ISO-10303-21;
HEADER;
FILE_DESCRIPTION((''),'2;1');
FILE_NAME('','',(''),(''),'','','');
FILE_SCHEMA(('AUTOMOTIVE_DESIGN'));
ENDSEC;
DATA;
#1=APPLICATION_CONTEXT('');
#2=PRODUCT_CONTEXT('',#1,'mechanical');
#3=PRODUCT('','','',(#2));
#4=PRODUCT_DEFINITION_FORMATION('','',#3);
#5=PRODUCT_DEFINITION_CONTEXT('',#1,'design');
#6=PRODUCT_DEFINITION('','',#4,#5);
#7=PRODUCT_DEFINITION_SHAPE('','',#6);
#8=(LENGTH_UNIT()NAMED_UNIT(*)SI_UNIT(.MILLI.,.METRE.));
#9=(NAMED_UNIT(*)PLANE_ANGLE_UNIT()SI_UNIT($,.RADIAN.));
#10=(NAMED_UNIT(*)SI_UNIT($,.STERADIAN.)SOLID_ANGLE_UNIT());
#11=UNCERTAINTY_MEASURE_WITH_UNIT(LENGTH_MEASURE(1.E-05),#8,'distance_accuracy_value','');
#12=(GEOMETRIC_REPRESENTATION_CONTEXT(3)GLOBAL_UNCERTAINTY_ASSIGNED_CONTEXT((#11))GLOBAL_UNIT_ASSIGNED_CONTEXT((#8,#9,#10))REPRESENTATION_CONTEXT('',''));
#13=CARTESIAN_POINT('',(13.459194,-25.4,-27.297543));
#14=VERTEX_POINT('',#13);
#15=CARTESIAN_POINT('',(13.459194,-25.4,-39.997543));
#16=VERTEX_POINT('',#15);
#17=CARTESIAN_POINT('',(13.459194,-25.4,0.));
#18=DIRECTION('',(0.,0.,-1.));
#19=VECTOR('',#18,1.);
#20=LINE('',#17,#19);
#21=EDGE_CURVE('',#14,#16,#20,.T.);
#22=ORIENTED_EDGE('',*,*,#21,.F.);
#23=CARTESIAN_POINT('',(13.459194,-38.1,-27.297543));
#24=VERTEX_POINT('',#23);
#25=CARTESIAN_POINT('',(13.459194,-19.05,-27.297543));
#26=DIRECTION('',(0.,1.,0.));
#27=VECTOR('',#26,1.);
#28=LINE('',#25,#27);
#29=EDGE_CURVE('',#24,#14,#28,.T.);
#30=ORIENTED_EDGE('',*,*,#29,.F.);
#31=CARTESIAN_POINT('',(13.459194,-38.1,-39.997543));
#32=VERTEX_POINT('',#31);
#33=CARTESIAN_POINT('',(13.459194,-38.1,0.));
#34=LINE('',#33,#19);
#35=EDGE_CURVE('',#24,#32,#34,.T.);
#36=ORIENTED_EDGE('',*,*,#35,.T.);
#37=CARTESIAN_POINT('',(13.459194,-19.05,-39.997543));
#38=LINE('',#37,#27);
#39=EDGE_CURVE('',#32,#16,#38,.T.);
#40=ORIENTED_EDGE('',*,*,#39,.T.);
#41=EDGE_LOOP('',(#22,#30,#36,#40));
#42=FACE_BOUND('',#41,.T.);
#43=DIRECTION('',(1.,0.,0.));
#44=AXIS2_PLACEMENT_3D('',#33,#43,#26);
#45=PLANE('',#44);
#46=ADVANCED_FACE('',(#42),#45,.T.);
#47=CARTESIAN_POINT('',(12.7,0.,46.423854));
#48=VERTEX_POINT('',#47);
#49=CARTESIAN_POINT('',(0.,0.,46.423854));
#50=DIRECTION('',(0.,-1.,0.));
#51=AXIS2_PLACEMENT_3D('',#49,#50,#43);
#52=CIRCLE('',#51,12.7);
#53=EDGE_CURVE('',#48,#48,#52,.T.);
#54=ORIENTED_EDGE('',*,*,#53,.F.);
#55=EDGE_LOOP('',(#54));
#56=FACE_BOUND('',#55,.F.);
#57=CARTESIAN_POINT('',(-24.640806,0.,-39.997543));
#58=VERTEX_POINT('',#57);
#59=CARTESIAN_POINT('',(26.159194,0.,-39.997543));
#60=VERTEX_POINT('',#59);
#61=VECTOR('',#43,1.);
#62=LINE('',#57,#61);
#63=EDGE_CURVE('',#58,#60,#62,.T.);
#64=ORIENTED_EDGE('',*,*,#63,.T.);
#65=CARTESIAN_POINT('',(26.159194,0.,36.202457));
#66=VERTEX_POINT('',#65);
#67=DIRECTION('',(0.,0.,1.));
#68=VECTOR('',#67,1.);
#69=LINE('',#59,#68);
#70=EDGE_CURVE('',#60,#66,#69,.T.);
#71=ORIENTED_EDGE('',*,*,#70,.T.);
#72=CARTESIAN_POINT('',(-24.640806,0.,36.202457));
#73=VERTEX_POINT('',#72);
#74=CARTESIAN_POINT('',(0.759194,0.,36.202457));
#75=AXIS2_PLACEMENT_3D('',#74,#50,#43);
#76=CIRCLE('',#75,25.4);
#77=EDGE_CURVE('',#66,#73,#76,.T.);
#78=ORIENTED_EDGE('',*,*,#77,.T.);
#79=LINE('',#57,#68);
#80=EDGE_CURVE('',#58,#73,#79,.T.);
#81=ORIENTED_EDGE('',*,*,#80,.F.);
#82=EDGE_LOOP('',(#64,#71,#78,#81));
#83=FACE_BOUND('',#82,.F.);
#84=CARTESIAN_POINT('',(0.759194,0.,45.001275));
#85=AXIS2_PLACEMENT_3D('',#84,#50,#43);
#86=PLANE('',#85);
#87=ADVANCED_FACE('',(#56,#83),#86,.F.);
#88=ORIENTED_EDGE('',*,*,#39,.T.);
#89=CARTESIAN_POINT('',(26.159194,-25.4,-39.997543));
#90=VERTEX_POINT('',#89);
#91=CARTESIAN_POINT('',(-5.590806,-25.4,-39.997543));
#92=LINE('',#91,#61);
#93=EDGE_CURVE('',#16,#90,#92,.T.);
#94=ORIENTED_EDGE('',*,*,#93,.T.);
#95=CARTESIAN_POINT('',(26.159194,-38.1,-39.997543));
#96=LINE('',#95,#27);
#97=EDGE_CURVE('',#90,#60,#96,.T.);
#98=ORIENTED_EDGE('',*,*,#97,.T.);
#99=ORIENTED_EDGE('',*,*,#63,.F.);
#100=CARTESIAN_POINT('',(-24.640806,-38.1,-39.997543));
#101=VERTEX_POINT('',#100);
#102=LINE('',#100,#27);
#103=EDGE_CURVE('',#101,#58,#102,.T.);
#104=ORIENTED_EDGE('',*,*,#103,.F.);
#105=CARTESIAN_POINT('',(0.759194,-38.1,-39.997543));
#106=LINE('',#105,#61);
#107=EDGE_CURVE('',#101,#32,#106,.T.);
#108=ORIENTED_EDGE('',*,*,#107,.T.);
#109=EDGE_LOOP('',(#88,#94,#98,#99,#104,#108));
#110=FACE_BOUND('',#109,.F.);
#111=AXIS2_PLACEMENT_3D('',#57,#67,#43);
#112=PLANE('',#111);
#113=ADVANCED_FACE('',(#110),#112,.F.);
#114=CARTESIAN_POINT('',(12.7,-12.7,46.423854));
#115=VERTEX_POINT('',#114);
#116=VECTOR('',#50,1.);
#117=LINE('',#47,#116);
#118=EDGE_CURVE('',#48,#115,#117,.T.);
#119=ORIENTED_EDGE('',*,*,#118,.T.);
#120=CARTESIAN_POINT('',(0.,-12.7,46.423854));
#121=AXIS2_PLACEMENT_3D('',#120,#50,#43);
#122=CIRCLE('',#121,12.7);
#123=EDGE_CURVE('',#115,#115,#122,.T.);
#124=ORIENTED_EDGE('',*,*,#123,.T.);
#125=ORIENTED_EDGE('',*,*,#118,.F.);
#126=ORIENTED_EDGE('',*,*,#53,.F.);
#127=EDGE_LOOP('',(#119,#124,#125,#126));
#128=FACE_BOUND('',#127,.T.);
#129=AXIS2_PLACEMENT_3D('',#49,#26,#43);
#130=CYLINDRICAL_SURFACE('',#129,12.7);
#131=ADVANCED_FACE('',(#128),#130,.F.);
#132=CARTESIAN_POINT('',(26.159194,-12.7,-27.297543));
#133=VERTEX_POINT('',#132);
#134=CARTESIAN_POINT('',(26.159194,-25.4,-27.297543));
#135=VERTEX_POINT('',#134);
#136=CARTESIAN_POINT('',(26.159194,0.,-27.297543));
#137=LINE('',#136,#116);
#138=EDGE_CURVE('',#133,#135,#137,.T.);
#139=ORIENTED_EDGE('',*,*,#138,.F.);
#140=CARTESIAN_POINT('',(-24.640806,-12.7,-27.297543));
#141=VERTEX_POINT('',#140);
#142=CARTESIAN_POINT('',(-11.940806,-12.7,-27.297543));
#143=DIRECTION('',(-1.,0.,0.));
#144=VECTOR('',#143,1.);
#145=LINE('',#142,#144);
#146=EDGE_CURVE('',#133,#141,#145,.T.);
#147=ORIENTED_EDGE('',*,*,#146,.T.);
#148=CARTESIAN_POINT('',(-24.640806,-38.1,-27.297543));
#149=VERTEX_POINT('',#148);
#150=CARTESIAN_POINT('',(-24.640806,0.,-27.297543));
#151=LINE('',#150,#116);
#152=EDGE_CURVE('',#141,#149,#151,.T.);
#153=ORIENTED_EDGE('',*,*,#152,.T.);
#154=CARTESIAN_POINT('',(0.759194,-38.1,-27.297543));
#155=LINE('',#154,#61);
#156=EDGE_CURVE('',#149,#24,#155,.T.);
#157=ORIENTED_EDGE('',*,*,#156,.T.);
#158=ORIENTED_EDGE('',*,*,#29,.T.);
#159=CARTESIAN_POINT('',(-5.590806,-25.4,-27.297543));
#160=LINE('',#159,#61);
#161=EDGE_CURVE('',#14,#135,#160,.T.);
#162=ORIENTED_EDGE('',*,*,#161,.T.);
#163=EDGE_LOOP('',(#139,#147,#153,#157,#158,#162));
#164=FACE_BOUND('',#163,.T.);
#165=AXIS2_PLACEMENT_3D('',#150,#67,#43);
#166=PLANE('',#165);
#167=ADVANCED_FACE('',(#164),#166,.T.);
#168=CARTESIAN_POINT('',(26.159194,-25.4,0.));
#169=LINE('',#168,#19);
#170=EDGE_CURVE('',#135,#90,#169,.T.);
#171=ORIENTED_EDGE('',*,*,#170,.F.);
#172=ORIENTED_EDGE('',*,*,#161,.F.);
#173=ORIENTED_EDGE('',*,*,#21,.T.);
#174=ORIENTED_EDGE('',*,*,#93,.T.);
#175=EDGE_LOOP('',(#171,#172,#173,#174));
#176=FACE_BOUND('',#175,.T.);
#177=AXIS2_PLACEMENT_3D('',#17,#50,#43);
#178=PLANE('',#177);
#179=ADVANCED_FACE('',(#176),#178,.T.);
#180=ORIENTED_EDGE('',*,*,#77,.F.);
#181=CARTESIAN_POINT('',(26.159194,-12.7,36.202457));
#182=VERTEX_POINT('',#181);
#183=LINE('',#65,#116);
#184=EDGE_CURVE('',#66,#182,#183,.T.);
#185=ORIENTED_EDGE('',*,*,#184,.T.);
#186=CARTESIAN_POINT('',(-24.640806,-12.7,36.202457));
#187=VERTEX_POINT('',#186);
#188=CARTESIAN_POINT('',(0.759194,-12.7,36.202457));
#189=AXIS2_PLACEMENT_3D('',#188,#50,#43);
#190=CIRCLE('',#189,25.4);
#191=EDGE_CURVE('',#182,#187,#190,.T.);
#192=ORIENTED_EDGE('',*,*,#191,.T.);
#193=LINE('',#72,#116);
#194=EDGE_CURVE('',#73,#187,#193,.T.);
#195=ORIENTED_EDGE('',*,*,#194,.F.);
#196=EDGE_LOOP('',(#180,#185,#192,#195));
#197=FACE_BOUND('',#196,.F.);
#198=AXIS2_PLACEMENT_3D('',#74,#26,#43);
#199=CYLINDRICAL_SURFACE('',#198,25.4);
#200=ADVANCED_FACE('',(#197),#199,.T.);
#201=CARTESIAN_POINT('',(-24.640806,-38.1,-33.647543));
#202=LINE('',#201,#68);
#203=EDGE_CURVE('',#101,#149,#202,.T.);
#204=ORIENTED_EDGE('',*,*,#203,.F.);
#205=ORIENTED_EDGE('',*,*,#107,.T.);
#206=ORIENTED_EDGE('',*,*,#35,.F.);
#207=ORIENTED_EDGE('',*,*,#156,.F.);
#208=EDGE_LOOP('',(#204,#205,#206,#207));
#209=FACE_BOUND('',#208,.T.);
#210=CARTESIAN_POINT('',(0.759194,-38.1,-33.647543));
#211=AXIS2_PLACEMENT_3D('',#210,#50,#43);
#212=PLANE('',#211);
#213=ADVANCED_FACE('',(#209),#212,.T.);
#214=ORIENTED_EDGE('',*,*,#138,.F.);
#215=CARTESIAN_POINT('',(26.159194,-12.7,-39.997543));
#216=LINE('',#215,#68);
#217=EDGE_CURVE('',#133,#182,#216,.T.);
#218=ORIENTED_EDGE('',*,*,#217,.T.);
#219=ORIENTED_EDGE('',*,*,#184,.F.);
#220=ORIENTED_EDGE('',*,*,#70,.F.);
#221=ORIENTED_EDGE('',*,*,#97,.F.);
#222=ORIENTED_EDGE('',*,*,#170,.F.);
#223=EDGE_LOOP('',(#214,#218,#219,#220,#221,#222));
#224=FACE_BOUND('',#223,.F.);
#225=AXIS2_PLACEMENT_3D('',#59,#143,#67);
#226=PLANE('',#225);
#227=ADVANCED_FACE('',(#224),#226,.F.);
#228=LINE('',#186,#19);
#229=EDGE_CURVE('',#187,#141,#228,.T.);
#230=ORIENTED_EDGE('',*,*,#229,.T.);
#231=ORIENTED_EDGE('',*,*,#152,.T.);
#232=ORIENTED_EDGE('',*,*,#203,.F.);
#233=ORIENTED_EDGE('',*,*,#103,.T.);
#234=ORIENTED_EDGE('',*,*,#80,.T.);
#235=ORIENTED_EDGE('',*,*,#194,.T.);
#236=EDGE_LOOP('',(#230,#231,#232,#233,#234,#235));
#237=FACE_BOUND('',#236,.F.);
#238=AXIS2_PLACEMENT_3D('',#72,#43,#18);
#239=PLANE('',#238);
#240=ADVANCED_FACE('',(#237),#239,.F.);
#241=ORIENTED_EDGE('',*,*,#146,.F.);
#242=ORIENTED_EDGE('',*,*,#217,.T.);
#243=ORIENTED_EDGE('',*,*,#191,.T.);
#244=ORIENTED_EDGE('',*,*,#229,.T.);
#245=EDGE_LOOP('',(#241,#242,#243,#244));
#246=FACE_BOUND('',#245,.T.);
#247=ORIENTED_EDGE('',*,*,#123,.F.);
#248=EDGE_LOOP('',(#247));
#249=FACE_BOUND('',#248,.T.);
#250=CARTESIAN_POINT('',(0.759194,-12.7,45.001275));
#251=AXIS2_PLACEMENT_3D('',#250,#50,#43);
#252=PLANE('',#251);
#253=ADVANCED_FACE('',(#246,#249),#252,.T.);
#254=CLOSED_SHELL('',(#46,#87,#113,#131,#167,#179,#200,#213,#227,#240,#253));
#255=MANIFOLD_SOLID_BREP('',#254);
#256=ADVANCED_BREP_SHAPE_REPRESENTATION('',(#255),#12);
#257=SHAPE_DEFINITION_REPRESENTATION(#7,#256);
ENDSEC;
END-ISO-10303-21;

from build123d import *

# Parameters (mm, degrees)
F1_DEPTH = 12.7
F2_R     = 12.7
F3_DEPTH = 12.7
F4_W     = 50.8
F4_H     = 12.7
F5_DEPTH = 38.1
F6_W     = 12.7
F6_H     = 12.7
F7_DEPTH = 39.998543


with BuildPart() as f1:
    # F0 (on Front) → F1 (new body)
    with BuildSketch(Plane.XZ):
        with BuildLine():
            ThreePointArc((26.159194, 36.202457), (0.759194, 61.602457), (-24.640806, 36.202457))
            Line((-24.640806, 36.202457), (26.159194, 36.202457))
        make_face()
        with BuildLine():
            ThreePointArc((26.159194, 36.202457), (0.759194, 10.802457), (-24.640806, 36.202457))
            Line((-24.640806, 36.202457), (-24.640806, -39.997543))
            Line((-24.640806, -39.997543), (26.159194, -39.997543))
            Line((26.159194, -39.997543), (26.159194, 36.202457))
        make_face()
        with BuildLine():
            Line((26.159194, 36.202457), (-24.640806, 36.202457))
            ThreePointArc((-24.640806, 36.202457), (0.759194, 10.802457), (26.159194, 36.202457))
        make_face()
    extrude(amount=F1_DEPTH)

    # F2 (on Front) → F3 (cut)
    with BuildSketch(Plane.XZ):
        with Locations((0, 46.423854)):
            Circle(F2_R)
    extrude(amount=F3_DEPTH, mode=Mode.SUBTRACT)

    # F4 (on Front) → F5 (join)
    with BuildSketch(Plane.XZ):
        with Locations((0.759194, -33.647543)):
            Rectangle(F4_W, F4_H)
    extrude(amount=F5_DEPTH)

    # F6 (on Top) → F7 (cut, through all)
    with BuildSketch(Plane.XY):
        with Locations((19.809194, -31.75)):
            Rectangle(F6_W, F6_H)
    extrude(amount=-F7_DEPTH, mode=Mode.SUBTRACT)


solid = f1.part
